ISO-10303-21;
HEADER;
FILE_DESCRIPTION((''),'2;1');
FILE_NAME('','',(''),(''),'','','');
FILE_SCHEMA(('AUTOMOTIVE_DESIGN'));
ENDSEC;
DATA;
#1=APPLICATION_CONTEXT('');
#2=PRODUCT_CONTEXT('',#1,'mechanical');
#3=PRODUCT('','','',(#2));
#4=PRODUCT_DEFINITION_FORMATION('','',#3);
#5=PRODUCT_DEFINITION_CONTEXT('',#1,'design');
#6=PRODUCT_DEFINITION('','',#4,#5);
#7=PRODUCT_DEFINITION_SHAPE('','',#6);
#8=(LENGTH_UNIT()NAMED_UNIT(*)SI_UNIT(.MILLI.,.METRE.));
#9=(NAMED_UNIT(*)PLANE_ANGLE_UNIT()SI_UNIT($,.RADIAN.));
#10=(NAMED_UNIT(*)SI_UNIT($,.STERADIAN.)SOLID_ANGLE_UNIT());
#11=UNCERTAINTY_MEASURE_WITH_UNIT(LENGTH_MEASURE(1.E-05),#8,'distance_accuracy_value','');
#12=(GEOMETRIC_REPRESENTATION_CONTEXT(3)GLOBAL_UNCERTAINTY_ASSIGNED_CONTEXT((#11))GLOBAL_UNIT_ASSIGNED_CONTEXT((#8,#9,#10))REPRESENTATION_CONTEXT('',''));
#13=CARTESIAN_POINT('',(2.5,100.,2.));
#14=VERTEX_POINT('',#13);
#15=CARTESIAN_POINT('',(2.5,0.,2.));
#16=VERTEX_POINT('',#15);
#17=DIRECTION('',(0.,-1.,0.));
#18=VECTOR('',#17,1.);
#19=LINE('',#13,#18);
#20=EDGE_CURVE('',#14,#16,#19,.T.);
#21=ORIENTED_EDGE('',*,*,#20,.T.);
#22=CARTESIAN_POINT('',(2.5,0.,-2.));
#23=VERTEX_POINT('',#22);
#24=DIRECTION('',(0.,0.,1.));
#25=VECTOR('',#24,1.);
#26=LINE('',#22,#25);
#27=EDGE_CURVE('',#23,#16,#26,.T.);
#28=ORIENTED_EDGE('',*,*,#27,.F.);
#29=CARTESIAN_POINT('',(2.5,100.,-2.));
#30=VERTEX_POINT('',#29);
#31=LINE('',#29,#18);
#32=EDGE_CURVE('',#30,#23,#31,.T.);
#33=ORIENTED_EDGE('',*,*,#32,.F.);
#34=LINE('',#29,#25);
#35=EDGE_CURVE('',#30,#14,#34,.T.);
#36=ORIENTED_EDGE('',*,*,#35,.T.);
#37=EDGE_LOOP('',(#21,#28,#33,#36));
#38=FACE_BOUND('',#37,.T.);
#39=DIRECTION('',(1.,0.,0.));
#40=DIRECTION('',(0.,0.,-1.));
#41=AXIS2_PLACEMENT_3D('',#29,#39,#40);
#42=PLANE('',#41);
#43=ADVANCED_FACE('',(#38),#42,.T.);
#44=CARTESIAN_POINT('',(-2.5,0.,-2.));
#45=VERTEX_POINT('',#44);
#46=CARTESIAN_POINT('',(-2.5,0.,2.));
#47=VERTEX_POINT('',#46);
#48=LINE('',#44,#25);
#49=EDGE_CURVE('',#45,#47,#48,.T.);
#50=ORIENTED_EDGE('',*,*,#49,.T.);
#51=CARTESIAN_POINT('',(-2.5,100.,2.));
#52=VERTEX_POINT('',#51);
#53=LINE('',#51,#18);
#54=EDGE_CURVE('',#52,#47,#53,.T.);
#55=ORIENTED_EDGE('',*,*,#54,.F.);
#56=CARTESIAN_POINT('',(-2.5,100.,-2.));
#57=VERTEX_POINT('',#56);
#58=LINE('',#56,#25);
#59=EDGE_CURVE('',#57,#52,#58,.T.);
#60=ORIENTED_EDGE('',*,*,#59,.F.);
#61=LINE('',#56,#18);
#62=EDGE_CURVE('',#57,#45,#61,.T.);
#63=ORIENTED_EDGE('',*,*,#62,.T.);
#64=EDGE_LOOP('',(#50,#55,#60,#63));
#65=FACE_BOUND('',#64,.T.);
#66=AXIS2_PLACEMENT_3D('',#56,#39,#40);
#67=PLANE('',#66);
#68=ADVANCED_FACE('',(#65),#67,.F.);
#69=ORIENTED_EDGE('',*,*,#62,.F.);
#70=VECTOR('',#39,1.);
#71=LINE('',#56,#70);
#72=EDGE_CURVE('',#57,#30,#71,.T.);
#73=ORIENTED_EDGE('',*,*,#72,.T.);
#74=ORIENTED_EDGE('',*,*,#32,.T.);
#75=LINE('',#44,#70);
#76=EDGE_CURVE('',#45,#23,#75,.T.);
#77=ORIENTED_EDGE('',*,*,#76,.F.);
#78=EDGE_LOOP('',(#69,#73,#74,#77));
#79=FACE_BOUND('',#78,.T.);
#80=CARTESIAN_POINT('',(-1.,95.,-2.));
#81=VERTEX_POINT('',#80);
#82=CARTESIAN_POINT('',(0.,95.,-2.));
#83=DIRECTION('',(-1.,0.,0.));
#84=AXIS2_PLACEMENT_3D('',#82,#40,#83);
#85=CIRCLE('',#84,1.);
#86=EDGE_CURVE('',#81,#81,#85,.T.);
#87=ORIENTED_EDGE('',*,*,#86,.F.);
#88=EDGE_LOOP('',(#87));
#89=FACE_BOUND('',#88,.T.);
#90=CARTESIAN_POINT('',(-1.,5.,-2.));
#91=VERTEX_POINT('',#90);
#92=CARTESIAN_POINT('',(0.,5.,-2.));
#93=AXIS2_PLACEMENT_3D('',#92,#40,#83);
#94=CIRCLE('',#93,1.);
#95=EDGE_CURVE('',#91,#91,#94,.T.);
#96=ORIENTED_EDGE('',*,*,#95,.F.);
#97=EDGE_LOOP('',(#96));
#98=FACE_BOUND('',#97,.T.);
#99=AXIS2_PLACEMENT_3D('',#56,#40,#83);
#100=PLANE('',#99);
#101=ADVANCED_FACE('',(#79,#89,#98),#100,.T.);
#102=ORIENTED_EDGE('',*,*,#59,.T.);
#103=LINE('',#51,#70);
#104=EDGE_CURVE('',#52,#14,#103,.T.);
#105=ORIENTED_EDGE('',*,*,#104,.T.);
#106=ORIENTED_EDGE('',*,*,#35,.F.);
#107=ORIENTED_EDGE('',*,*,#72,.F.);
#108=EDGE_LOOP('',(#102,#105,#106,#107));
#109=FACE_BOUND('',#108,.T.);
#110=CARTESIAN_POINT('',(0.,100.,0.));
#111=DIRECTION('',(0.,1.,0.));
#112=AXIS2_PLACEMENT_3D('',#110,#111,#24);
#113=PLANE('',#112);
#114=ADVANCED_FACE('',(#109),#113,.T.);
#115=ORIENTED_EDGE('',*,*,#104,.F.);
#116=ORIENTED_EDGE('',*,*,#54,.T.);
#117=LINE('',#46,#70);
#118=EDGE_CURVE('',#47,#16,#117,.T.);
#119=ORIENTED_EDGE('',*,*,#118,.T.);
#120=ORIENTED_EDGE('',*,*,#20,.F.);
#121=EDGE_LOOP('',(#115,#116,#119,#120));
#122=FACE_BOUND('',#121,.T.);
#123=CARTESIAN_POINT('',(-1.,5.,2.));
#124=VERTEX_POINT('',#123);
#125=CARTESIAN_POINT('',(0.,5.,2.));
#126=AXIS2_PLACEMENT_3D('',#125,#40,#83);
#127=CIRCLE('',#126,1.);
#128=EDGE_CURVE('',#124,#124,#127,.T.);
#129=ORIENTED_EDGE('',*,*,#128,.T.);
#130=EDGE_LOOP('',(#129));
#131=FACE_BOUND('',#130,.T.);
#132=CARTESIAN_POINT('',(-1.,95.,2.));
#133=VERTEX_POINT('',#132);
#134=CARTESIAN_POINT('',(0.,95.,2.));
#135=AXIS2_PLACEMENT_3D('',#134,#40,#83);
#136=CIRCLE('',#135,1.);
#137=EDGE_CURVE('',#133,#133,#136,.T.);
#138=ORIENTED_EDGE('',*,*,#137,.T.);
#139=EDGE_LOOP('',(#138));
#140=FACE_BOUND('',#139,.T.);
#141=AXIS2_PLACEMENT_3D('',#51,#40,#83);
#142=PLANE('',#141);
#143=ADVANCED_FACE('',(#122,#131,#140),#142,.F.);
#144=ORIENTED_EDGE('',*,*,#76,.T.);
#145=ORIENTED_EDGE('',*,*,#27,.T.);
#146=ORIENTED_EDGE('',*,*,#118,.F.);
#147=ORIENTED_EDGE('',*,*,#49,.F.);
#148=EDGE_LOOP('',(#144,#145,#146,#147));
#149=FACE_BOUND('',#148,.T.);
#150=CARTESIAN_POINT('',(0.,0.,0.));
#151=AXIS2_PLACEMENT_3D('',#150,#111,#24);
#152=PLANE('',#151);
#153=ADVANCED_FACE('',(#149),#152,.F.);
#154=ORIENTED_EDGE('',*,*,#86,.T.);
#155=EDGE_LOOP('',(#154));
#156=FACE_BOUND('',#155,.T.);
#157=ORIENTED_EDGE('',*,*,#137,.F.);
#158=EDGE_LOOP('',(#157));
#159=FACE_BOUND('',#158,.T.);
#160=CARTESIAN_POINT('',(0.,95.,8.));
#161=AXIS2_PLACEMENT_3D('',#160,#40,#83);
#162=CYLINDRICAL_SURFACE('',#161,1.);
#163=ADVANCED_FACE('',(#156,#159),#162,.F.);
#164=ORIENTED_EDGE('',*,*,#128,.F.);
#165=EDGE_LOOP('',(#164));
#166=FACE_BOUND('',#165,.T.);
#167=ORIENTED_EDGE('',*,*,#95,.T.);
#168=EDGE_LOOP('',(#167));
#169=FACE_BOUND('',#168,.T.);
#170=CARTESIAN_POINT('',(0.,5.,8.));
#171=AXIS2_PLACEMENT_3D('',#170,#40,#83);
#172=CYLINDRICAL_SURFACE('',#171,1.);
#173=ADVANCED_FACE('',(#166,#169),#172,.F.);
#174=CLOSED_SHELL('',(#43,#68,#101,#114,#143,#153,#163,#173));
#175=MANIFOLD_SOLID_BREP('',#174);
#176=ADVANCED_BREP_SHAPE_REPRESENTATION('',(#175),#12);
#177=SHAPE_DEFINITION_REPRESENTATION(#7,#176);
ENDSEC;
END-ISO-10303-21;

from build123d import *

# Parameters (mm, degrees)
SKETCH_1_W          = 5
SKETCH_1_H          = 4
EXTRUDE_1_DEPTH     = 100
SKETCH_2_R          = 1
CUT_EXTRUDE_1_DEPTH = 10


with BuildPart() as part:
    # 草图1 → 凸台-拉伸1 (new body)
    with BuildSketch(Plane(origin=(0, 0, 0), x_dir=(1, 0, 0), z_dir=(0, 1, 0))):
        Rectangle(SKETCH_1_W, SKETCH_1_H)
    extrude(amount=EXTRUDE_1_DEPTH)

    # 草图2 → 切除-拉伸1 (cut)
    with BuildSketch(Plane(origin=(0, 0, -2), x_dir=(-1, 0, 0), z_dir=(0, 0, -1))):
        with Locations((0, 5)):
            Circle(SKETCH_2_R)
        with Locations((0, 95)):
            Circle(SKETCH_2_R)
    extrude(amount=-CUT_EXTRUDE_1_DEPTH, mode=Mode.SUBTRACT)


solid = part.part
